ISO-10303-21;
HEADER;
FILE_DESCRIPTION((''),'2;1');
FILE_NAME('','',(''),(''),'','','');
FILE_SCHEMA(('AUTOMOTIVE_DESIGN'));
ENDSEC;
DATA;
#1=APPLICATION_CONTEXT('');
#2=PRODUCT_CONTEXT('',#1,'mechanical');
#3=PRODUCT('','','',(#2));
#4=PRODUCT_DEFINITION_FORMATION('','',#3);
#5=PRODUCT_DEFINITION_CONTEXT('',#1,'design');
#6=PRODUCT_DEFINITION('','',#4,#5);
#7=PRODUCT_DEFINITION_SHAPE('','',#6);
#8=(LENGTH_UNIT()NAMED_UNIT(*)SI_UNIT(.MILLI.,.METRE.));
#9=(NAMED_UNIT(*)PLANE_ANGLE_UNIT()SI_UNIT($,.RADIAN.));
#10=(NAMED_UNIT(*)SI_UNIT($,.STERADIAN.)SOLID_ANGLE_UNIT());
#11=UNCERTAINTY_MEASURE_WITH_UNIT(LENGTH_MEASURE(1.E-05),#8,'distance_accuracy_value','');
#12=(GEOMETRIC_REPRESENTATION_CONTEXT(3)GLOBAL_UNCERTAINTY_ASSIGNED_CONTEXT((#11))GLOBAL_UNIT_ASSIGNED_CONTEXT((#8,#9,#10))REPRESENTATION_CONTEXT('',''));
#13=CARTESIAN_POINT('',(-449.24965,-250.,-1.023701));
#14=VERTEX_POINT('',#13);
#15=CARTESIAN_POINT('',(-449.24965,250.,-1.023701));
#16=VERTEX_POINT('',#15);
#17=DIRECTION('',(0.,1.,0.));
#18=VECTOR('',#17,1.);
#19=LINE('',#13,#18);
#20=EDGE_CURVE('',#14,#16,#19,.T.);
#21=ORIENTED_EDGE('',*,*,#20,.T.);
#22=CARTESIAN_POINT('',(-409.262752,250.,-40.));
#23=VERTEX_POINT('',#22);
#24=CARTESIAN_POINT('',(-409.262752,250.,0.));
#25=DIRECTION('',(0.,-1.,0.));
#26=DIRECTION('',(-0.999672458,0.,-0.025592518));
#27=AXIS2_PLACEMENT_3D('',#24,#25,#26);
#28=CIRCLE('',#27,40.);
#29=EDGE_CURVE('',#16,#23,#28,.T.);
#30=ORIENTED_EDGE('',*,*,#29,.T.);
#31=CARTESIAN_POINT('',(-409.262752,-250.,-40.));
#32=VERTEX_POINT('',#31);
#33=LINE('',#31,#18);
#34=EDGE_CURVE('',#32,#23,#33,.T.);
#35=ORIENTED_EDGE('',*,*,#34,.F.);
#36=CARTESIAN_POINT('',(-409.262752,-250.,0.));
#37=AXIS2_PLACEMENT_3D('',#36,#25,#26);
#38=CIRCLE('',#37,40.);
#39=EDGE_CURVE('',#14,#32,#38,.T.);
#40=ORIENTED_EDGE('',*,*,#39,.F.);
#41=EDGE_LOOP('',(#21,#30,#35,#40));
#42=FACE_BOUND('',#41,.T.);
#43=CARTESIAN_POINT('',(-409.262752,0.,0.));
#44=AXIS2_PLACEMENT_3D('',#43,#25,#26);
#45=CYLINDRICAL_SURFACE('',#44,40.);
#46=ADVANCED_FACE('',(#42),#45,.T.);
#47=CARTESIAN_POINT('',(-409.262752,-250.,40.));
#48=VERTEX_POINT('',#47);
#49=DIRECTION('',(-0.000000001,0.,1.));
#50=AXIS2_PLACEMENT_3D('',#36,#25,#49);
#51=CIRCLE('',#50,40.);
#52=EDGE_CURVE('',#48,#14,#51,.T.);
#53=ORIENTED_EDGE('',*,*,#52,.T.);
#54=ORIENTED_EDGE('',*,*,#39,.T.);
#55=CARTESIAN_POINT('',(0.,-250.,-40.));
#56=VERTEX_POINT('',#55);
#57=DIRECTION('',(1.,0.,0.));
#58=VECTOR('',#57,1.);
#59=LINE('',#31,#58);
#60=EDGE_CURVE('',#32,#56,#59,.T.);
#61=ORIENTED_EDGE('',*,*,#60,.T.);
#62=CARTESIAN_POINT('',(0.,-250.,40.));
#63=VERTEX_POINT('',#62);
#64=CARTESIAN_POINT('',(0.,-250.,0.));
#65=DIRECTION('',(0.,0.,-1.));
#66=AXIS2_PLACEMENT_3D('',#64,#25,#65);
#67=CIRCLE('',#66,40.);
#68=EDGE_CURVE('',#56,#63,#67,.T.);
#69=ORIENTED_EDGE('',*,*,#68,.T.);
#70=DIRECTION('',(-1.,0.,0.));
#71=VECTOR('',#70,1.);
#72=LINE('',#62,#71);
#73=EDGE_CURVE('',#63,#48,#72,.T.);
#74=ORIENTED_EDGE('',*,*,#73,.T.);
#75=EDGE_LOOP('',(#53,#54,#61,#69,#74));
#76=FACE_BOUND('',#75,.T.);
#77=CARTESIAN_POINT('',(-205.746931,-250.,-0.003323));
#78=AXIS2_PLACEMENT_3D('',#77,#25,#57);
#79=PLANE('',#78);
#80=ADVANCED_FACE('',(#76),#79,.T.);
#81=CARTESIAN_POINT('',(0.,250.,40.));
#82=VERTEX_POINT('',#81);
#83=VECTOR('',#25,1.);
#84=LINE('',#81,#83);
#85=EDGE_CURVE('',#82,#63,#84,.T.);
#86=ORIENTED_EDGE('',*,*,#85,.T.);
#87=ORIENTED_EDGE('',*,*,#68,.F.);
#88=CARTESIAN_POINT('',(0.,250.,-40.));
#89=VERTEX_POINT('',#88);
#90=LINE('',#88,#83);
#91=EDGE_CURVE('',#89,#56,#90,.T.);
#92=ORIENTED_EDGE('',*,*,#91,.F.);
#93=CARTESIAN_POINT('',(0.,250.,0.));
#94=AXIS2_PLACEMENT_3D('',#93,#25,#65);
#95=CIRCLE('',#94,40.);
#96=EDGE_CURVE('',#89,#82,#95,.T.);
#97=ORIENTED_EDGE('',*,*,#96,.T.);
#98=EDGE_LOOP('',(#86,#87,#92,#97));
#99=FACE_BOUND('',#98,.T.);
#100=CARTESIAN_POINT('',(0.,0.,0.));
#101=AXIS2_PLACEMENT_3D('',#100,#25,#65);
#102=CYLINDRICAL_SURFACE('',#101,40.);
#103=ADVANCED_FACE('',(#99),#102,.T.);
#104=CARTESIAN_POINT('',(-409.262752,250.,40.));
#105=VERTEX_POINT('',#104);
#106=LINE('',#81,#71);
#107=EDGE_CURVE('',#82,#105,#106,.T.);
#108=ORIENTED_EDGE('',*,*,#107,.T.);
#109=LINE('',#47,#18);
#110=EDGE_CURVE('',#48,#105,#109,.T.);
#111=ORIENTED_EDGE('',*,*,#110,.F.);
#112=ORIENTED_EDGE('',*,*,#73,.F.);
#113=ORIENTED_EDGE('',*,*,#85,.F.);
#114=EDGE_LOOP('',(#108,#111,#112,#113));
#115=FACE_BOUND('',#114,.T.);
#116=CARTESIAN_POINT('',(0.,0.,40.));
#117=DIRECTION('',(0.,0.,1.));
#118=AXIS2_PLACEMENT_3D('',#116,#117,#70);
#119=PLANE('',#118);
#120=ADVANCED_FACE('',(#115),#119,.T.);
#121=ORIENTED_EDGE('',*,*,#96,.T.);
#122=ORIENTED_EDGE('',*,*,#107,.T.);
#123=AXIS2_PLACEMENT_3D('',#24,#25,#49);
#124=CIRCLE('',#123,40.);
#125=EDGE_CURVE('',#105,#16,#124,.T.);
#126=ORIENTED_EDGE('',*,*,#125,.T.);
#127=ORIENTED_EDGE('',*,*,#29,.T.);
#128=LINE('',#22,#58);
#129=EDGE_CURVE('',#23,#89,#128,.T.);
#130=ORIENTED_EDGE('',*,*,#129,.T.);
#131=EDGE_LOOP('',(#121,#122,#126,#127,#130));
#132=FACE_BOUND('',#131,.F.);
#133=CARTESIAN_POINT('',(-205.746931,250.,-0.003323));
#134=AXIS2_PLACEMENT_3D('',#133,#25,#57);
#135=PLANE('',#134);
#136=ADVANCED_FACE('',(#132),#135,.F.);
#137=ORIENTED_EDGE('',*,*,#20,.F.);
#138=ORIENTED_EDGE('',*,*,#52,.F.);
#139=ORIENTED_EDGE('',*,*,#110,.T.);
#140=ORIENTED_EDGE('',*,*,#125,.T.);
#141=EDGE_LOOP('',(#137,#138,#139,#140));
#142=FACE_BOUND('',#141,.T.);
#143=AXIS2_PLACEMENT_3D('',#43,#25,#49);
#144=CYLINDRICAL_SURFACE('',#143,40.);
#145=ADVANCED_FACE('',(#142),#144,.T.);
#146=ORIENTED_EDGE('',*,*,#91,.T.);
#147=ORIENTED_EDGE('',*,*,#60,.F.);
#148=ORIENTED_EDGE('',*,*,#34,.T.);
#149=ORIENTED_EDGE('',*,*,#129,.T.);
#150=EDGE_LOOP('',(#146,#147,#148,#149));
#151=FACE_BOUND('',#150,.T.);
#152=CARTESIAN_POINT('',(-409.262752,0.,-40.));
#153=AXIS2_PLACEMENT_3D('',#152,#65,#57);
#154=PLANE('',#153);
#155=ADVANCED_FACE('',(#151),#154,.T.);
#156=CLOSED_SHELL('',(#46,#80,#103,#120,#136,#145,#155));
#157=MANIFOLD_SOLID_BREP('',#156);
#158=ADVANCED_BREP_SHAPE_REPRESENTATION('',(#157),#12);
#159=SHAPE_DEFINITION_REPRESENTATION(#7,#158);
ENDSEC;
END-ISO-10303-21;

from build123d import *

# Parameters (mm, degrees)
F1_DEPTH = 250


with BuildPart() as f1:
    # F0 (on Front) → F1 (new body, symmetric)
    with BuildSketch(Plane.XZ):
        with BuildLine():
            Line((-409.262752, -40), (0, -40))
            ThreePointArc((0, -40), (40, 0), (0, 40))
            Line((0, 40), (-409.262752, 40))
            ThreePointArc((-409.262752, 40), (-437.90667, 27.919992), (-449.24965, -1.023701))
            ThreePointArc((-449.24965, -1.023701), (-437.182744, -28.643918), (-409.262752, -40))
        make_face()
    extrude(amount=F1_DEPTH, both=True)


solid = f1.part
